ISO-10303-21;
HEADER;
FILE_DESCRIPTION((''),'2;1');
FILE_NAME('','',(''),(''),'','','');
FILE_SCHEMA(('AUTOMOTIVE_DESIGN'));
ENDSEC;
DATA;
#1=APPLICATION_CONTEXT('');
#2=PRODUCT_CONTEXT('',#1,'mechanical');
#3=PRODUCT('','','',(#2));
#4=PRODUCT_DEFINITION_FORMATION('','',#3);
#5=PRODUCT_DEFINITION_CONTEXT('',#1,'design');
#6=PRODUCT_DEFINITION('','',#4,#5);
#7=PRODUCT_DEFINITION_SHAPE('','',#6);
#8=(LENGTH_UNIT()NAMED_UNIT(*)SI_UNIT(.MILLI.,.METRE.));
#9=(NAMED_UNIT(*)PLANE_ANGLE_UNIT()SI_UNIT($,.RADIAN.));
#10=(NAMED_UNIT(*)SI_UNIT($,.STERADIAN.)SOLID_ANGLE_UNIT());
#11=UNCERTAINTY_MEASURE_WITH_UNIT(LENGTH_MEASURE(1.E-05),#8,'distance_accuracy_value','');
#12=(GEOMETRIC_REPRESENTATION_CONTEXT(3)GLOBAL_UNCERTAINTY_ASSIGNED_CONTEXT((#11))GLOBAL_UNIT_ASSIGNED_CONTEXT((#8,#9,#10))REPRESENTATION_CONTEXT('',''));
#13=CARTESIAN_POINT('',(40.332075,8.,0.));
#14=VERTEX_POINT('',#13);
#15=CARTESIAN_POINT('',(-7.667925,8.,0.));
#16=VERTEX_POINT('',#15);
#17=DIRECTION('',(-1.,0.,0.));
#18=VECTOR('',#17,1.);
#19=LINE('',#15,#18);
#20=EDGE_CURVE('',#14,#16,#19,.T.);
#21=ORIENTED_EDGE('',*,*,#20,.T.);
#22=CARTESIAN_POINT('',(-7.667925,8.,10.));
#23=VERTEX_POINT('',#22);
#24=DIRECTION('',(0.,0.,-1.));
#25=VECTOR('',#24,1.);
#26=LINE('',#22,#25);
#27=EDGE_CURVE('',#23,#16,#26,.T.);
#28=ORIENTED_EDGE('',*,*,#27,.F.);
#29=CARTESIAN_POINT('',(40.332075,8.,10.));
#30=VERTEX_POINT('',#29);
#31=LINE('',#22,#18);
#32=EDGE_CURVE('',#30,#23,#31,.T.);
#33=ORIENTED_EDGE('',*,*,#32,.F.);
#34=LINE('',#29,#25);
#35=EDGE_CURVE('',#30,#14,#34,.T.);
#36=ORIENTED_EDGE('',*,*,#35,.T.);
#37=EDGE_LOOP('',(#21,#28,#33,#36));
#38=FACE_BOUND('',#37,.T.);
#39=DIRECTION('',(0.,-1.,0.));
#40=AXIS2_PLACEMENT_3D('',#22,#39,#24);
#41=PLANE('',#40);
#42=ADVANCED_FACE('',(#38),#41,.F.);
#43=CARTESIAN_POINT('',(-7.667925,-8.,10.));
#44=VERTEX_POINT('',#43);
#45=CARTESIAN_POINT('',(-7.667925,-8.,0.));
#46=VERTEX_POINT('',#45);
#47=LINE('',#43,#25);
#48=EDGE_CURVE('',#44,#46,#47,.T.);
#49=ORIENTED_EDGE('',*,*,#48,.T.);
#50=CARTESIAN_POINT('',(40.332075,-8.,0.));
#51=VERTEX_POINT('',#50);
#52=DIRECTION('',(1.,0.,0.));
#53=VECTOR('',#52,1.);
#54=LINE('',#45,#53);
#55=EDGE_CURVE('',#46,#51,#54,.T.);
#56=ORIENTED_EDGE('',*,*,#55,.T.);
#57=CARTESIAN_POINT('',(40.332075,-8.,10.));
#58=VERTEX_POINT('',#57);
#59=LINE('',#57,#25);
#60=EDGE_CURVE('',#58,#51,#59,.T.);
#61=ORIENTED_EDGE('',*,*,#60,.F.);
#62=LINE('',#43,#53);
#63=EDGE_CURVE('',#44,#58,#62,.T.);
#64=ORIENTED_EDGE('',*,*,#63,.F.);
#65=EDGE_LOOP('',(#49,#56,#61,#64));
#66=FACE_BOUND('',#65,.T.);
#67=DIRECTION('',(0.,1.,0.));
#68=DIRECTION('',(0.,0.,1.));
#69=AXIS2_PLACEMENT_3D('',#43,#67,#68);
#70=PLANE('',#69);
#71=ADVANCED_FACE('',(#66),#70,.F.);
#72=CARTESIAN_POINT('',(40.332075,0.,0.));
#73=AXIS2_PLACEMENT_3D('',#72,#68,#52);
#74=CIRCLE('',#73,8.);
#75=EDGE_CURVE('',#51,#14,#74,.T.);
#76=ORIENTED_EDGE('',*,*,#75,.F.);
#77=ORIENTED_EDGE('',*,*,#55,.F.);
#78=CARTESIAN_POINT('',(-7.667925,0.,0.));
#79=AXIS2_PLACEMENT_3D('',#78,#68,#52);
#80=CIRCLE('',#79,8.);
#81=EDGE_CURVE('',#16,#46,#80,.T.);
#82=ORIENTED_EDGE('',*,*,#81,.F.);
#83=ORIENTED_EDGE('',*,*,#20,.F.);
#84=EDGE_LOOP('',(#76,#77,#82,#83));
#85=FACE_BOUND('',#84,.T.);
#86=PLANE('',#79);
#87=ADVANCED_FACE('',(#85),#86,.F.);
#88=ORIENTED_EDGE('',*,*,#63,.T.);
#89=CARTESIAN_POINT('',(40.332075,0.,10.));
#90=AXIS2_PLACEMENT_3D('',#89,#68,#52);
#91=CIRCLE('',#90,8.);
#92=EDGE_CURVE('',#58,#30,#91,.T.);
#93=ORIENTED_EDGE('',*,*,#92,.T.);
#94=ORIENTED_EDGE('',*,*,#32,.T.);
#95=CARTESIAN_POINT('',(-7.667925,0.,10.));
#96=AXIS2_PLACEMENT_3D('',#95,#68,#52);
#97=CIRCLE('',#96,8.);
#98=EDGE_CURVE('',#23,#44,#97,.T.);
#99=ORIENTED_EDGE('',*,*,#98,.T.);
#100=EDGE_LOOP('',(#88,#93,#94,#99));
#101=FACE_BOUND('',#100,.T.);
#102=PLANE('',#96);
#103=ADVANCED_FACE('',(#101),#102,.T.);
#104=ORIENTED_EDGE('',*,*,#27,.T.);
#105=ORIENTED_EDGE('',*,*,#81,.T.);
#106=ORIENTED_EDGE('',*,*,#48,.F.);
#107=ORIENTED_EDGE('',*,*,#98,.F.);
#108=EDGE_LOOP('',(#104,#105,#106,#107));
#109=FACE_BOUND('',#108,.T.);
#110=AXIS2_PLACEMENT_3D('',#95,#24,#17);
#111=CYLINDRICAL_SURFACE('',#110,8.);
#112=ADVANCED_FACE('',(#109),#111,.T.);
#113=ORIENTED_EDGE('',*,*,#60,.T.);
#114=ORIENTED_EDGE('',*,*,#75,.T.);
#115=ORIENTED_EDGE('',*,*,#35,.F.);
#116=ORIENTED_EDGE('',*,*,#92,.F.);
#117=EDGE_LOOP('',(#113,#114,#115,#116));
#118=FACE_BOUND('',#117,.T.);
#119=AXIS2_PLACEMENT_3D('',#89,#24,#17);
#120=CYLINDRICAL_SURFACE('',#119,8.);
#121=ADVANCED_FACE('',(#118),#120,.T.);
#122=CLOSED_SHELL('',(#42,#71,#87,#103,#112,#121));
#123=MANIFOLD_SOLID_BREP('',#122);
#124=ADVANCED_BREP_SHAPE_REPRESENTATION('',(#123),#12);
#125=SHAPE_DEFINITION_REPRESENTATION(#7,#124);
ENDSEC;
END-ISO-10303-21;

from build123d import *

# Parameters (mm, degrees)
BOSS_EXTRUDE1_DEPTH = 10


with BuildPart() as part:
    # Sketch1 → Boss-Extrude1 (new body)
    with BuildSketch(Plane.XY):
        with BuildLine():
            Line((-7.667924528, 8), (40.332075472, 8))
            ThreePointArc((40.332075472, 8), (48.332075472, 0), (40.332075472, -8))
            Line((40.332075472, -8), (-7.667924528, -8))
            ThreePointArc((-7.667924528, -8), (-15.667924528, 0), (-7.667924528, 8))
        make_face()
    extrude(amount=BOSS_EXTRUDE1_DEPTH)


solid = part.part
